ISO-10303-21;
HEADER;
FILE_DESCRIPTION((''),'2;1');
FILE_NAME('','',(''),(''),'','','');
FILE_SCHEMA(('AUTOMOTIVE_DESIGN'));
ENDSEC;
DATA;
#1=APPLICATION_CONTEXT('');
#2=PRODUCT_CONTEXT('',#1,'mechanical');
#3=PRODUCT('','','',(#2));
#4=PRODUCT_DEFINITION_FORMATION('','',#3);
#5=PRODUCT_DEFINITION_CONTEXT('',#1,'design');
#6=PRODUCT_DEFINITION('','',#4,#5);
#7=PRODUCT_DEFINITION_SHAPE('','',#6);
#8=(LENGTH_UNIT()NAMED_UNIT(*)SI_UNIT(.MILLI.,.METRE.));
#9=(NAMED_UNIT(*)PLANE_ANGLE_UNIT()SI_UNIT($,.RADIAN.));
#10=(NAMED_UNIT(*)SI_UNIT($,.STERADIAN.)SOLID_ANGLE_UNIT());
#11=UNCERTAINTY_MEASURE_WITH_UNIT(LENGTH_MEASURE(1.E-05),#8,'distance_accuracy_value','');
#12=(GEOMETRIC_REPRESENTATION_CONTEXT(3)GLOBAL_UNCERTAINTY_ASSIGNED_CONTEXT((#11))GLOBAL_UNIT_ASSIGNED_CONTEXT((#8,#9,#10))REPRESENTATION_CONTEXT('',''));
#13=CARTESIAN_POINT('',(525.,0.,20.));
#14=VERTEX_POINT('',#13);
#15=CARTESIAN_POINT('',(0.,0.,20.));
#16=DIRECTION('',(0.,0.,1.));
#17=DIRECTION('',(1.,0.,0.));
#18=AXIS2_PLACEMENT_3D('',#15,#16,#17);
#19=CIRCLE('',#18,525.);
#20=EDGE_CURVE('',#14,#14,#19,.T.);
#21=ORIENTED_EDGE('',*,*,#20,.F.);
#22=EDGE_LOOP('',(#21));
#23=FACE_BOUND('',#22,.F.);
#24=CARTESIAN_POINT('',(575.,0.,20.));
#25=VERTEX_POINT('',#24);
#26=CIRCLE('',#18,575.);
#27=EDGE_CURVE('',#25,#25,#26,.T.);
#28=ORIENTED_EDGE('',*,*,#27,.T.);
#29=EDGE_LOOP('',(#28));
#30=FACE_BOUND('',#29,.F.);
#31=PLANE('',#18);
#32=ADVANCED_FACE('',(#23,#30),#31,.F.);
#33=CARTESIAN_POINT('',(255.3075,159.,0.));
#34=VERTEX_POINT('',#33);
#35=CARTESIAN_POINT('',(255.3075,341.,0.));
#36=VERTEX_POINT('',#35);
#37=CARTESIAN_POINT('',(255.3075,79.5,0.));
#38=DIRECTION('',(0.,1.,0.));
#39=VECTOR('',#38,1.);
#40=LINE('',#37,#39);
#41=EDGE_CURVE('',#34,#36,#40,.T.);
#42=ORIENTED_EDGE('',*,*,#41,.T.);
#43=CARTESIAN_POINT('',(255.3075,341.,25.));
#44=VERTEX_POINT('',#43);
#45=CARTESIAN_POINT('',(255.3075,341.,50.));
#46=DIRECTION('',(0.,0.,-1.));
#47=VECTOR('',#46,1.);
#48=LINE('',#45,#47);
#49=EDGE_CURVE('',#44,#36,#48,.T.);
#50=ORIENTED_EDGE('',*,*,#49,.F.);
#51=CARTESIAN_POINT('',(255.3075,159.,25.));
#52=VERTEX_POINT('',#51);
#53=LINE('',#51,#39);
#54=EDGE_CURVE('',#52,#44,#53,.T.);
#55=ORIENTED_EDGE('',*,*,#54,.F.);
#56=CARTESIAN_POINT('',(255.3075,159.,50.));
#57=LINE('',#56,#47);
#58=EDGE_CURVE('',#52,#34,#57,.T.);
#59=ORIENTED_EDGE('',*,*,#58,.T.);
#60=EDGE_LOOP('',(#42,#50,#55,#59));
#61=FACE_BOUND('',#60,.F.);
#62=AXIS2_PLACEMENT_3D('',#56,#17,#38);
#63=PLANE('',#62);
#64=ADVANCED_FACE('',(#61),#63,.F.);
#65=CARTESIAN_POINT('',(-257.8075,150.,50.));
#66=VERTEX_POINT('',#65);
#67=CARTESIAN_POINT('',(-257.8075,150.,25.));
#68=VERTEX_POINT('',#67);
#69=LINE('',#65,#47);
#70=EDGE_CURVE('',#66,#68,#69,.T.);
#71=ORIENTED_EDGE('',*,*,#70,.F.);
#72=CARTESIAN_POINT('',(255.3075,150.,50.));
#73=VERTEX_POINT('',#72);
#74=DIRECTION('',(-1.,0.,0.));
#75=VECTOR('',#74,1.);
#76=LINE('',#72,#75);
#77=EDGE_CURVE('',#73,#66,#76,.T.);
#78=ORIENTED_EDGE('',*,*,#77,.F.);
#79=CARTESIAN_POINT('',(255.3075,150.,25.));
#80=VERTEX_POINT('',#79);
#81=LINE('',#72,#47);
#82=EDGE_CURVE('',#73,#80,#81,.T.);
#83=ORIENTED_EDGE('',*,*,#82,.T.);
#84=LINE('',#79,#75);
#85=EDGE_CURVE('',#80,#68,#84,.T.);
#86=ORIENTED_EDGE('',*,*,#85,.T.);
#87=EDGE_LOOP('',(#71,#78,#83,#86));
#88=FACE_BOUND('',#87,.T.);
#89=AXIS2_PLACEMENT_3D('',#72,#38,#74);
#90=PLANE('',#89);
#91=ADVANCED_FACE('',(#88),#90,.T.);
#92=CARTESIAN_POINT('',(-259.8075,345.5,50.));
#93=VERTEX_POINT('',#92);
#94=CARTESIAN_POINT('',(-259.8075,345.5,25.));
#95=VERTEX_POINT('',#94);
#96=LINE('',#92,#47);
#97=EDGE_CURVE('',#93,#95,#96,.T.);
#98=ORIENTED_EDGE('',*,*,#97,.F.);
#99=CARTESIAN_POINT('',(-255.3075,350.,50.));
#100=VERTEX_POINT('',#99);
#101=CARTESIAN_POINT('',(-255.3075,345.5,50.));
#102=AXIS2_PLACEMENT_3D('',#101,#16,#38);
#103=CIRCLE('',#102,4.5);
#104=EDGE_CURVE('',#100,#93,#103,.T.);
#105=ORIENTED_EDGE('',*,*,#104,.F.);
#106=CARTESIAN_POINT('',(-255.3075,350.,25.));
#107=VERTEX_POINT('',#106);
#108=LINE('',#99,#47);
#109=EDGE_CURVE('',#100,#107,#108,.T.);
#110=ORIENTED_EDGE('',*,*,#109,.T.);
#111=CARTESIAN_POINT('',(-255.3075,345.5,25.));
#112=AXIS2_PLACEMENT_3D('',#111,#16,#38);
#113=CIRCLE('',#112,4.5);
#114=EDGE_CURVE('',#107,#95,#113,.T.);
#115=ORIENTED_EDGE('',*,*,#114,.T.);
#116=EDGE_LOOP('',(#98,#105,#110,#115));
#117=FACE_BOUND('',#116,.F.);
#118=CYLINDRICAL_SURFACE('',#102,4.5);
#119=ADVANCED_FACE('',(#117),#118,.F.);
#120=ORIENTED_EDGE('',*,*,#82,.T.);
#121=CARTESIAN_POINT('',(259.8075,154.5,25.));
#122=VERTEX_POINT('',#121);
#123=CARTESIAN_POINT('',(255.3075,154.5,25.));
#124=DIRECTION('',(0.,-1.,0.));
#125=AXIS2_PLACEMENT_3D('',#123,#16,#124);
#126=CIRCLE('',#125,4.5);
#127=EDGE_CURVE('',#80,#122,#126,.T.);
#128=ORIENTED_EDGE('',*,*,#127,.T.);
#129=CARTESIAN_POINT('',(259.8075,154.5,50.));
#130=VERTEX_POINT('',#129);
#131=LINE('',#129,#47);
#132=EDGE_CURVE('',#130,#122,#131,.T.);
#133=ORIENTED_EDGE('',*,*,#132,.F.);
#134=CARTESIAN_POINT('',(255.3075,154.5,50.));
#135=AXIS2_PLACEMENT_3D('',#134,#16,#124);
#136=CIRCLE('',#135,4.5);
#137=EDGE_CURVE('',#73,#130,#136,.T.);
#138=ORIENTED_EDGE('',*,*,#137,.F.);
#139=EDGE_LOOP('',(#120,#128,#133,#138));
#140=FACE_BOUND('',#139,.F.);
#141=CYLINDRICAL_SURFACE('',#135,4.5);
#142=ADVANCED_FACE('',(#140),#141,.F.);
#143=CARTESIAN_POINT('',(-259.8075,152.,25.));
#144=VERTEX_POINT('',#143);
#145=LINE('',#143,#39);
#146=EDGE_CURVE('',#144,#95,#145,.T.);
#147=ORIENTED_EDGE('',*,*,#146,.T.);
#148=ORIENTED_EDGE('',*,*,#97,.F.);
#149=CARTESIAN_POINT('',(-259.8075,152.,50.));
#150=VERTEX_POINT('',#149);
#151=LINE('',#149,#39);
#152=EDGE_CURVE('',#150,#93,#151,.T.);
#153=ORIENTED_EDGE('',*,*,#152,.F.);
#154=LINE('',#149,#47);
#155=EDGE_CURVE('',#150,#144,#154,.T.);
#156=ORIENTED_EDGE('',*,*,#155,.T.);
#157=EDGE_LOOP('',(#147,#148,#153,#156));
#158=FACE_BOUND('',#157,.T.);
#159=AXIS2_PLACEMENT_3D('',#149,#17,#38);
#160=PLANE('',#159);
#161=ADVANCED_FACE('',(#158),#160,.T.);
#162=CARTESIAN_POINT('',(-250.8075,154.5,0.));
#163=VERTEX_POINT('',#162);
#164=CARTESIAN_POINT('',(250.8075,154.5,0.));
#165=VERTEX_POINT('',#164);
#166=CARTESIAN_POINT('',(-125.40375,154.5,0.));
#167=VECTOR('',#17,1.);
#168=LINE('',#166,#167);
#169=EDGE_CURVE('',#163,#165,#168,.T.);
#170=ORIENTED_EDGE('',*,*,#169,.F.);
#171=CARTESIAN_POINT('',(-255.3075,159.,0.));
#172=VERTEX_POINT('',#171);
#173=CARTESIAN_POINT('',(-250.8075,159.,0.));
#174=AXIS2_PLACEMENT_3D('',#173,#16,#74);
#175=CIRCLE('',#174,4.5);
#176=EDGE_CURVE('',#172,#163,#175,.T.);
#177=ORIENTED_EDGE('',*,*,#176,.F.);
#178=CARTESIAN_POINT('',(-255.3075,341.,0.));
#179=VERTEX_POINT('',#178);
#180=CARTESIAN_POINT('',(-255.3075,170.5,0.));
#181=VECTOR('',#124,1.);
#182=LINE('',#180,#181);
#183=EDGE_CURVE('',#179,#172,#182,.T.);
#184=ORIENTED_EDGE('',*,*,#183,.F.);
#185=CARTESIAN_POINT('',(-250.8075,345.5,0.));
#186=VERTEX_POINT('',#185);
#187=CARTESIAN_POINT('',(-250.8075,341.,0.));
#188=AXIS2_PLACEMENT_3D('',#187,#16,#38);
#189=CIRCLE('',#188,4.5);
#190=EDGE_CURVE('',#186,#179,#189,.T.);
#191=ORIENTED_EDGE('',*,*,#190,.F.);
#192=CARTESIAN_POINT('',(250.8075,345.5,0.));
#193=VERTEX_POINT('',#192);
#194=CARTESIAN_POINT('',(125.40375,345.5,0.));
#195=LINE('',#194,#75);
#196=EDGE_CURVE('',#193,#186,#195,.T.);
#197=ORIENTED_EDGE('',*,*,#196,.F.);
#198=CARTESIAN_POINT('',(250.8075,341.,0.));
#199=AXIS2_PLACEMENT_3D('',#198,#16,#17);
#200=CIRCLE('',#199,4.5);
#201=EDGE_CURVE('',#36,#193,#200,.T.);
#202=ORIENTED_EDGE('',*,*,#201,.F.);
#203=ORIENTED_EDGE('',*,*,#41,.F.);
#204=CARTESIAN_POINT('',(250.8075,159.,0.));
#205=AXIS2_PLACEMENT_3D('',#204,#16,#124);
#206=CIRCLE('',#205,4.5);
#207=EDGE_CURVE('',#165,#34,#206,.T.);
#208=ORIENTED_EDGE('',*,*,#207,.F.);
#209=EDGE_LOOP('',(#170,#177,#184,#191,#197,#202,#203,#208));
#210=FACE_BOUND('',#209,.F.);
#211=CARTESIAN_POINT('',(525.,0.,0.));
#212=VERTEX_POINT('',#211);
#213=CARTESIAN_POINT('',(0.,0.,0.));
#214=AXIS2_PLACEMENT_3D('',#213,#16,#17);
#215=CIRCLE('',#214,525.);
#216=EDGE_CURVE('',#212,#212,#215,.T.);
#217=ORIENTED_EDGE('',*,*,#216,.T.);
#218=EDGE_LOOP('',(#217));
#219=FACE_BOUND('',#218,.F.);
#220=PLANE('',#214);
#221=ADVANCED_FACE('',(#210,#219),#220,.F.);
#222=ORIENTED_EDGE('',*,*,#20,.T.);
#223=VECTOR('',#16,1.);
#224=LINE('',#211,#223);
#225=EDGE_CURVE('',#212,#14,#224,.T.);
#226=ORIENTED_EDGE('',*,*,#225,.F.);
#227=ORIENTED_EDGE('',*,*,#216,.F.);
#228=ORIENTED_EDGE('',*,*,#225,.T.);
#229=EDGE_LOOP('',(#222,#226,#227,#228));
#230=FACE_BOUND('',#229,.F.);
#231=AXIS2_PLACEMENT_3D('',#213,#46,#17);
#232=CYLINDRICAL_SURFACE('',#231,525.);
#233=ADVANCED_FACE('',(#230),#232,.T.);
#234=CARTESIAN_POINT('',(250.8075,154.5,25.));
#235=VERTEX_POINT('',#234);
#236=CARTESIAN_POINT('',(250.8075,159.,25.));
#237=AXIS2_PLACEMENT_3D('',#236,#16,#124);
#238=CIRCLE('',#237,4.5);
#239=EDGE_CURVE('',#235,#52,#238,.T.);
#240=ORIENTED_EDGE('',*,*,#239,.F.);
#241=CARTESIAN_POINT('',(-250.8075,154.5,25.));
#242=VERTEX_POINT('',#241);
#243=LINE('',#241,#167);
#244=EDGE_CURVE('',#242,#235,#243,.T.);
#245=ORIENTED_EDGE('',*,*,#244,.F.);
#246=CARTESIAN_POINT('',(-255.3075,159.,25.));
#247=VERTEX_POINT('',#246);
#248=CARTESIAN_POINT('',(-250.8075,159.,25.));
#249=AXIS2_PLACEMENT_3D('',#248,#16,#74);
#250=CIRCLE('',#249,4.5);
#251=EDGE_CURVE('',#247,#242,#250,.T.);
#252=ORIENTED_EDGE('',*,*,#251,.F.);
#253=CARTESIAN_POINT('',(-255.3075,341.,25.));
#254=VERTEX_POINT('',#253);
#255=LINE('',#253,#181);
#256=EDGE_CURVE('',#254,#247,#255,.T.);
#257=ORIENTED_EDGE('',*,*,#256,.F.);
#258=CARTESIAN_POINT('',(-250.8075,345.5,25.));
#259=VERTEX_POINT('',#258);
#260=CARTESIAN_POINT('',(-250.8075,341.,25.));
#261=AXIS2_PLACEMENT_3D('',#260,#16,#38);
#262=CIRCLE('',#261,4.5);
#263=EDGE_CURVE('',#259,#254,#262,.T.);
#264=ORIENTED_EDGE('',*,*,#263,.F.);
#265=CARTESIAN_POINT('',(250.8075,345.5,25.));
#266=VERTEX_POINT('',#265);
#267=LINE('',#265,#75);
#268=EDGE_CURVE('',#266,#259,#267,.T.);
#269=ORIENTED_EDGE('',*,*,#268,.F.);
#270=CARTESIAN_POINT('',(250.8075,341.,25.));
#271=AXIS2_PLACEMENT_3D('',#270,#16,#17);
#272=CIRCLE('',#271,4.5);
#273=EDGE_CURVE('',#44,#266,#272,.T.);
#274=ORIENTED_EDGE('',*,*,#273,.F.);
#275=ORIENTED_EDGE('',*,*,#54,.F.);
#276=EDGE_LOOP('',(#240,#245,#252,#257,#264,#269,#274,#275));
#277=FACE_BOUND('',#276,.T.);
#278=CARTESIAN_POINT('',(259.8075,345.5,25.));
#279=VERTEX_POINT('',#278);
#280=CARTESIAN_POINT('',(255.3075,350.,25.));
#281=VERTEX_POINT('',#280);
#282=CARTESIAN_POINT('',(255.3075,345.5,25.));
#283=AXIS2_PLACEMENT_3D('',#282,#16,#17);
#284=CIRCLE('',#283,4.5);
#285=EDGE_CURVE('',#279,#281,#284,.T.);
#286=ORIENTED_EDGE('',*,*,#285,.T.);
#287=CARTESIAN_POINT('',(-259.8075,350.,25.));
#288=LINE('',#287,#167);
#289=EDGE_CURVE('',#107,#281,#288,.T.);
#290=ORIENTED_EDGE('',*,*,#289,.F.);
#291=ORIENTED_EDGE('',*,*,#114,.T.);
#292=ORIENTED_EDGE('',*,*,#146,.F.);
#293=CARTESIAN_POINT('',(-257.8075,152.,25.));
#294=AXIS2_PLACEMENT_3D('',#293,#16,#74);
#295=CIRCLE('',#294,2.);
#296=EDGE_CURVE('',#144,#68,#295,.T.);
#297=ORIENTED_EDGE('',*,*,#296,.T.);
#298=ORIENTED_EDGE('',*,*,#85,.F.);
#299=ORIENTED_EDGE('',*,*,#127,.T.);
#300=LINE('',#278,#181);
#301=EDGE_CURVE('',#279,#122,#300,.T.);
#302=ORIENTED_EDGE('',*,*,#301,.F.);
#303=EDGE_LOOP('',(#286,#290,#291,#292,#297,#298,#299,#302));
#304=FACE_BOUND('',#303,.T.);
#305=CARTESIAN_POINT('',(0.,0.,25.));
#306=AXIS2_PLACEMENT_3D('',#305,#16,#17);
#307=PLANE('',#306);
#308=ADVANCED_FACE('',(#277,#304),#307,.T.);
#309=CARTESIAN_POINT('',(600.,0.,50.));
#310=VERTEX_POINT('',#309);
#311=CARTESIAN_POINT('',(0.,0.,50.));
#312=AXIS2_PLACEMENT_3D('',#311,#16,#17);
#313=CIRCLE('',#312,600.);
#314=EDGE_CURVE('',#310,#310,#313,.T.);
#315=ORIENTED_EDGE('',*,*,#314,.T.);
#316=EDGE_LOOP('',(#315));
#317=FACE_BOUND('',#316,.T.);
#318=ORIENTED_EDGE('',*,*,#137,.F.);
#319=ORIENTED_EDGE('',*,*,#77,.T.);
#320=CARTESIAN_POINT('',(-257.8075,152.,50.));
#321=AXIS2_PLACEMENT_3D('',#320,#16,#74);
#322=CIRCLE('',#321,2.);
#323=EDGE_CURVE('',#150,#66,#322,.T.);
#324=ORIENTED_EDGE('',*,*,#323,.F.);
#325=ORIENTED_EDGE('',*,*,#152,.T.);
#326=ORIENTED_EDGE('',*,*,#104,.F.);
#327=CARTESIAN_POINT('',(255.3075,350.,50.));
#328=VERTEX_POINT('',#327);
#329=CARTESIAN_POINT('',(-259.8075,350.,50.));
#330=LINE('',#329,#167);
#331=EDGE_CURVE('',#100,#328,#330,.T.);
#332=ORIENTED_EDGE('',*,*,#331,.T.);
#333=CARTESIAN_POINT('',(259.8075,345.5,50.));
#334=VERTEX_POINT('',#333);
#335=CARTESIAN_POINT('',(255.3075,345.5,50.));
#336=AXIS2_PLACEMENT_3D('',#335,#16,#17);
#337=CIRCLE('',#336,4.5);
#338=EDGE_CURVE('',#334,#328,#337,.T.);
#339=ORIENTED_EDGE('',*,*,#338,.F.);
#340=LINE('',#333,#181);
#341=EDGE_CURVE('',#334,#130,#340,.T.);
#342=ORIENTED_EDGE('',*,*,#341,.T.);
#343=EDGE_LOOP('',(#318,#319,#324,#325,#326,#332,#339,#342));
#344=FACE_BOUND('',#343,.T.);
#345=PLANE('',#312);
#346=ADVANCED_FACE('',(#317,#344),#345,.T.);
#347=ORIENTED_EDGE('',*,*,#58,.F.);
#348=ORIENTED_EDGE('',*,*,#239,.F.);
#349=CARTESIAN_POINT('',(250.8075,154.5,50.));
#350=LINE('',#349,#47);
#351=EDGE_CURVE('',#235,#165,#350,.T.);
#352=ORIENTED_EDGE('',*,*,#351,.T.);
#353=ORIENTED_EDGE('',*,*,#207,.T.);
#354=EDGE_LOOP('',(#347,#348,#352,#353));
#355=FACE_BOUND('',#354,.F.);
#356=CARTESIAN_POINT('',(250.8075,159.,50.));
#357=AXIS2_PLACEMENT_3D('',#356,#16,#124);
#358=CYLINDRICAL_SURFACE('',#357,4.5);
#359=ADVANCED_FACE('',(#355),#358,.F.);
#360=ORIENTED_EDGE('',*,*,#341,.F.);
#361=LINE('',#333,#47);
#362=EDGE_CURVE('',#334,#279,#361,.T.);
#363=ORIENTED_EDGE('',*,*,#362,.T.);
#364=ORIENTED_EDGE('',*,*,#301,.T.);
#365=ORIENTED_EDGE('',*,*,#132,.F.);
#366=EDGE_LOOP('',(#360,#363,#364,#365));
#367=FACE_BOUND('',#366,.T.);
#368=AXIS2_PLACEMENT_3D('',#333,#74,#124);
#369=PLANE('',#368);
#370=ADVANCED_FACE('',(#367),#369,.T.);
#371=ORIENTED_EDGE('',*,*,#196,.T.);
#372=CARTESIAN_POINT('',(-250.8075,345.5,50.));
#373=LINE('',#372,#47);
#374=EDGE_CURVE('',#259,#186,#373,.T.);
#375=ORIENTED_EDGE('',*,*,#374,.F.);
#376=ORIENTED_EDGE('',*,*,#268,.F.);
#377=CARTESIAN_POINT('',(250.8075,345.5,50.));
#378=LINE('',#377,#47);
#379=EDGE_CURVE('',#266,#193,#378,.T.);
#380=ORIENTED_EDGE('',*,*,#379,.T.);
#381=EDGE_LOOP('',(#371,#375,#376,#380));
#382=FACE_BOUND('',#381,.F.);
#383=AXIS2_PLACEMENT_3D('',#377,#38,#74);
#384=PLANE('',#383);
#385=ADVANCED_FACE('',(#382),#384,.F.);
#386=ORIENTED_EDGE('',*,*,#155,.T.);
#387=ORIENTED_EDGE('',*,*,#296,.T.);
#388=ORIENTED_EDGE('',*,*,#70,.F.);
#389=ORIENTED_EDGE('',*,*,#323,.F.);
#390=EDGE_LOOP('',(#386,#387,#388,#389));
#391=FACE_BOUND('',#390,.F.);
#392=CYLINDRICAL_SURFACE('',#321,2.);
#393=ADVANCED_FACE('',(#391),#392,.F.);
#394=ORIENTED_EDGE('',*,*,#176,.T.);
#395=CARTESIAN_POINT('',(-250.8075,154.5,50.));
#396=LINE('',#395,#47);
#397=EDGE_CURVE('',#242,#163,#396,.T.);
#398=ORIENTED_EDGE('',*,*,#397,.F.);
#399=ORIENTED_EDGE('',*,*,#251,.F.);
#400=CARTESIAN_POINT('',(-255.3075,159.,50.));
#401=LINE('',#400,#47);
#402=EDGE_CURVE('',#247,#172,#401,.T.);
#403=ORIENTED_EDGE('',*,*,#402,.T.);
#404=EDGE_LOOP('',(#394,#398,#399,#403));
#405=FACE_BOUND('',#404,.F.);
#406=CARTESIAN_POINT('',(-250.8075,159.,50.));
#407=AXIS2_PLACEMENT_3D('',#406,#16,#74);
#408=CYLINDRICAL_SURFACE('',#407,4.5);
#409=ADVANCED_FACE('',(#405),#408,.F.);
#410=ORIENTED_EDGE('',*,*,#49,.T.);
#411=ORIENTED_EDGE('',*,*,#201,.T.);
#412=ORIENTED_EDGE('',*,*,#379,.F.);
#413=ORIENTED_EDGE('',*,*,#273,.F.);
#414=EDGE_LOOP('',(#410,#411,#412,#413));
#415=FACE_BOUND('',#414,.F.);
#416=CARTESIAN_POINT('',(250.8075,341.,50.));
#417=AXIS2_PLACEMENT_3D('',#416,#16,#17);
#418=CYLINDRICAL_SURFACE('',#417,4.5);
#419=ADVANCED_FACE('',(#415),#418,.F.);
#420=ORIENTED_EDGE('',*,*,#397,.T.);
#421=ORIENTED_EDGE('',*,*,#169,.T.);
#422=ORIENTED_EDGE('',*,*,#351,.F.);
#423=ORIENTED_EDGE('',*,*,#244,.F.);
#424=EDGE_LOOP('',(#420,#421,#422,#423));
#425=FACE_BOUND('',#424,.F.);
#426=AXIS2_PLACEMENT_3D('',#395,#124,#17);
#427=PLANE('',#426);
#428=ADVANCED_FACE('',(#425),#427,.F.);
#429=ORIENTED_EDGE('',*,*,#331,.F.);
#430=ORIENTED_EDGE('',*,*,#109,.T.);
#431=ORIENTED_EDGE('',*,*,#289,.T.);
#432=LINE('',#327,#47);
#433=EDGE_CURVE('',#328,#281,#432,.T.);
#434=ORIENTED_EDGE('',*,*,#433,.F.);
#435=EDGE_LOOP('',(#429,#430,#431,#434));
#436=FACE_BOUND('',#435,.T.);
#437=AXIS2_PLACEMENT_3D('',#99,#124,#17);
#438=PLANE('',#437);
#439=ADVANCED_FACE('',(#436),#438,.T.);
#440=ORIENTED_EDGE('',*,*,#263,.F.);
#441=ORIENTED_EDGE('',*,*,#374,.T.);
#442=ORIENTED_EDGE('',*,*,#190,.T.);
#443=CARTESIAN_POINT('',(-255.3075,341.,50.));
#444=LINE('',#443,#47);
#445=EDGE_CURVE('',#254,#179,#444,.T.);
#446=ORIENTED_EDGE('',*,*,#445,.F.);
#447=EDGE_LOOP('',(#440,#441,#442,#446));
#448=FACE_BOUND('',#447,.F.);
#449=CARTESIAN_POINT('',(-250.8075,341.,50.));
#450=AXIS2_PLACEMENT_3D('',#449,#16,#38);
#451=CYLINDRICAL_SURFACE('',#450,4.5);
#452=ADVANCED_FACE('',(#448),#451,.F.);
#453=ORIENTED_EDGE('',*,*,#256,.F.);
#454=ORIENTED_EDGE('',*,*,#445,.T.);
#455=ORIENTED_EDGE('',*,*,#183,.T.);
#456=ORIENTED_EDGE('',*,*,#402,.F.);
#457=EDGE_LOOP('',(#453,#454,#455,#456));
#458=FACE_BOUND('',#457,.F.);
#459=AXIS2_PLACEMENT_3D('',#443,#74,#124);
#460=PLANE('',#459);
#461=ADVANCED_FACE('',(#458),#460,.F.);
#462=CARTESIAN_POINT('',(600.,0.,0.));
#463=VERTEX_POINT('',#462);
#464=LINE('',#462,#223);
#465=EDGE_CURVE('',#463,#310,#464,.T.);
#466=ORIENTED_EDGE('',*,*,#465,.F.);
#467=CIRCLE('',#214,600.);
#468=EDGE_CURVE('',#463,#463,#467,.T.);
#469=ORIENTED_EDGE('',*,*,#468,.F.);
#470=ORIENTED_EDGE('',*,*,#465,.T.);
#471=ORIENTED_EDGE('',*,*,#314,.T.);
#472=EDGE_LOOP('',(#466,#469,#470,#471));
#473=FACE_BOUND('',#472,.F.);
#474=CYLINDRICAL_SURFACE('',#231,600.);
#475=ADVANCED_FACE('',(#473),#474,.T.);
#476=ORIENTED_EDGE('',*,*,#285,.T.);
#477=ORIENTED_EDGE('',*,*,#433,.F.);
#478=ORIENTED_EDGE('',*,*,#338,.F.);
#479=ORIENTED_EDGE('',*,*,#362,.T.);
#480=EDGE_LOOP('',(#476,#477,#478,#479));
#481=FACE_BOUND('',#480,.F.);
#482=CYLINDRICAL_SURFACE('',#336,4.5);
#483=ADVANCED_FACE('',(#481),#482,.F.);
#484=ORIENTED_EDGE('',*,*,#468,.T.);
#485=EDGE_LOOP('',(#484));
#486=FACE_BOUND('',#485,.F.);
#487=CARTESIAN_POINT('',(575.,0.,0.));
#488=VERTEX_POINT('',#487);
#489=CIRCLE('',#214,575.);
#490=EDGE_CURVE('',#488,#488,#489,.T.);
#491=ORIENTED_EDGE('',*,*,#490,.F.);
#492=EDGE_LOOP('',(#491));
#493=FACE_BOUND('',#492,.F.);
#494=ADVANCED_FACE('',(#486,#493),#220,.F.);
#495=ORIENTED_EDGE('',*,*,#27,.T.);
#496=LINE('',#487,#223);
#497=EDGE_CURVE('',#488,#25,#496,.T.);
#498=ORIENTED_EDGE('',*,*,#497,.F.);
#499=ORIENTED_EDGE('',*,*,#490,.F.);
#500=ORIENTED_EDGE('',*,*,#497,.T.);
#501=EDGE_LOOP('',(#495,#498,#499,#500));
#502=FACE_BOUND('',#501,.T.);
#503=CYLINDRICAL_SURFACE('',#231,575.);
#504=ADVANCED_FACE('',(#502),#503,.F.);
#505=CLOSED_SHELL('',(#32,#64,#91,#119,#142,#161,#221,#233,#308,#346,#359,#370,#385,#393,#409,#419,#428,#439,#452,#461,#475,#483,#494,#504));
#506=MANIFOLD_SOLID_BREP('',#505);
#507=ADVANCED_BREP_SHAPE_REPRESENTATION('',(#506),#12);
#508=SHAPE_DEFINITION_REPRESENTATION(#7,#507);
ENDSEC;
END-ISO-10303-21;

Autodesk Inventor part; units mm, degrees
ref_plane "YZ Plane" through (0, 0, 0) normal (1, 0, 0) x (0, 1, 0)
ref_plane "XZ Plane" through (0, 0, 0) normal (0, 1, 0) x (-1, 0, 0)
ref_plane "XY Plane" through (0, 0, 0) normal (0, 0, 1) x (1, 0, 0)
sketch "Sketch1" plane through (0, 0, 0) normal (0, 0, 1) x (1, 0, 0)
  circle A0 centre (0, 0) radius 600
  circle A1 centre (0, 0) radius 575
  circle A2 centre (0, 0) radius 525
  dimension "d0" = 1200
  dimension "d3" = 1150
  dimension "d4" = 1050
extrude "Extrusion1" add sketch "Sketch1" along normal blind 50 contours A0 | A1 | A2
extrude "Extrusion2" cut sketch "Sketch1" along normal blind 20 contours A1
sketch "Sketch2" plane through (0, 0, 50) normal (0, 0, 1) x (1, 0, 0)
  line L0 (0, 0) -> (0, 350) construction
  line L1 (0, 350) -> (-255.3075, 350) construction
  line L2 (-259.8075, 350) -> (255.3075, 350)
  line L3 (259.8075, 345.5) -> (259.8075, 154.5)
  line L4 (255.3075, 150) -> (-257.8075, 150)
  line L5 (-259.8075, 152) -> (-259.8075, 345.5)
  arc A0 (-259.8075, 152) -> (-257.8075, 150) centre (-257.8075, 152) ccw
  arc A1 (-255.3075, 350) -> (-259.8075, 345.5) centre (-255.3075, 345.5) ccw
  arc A2 (259.8075, 345.5) -> (255.3075, 350) centre (255.3075, 345.5) ccw
  arc A3 (255.3075, 150) -> (259.8075, 154.5) centre (255.3075, 154.5) ccw
  line L6 (-259.8075, 150) -> (-259.8075, 154.5) construction
  line L7 (-259.8075, 154.5) -> (-255.3075, 154.5) construction
  line L8 (255.3075, 350) -> (255.3075, 345.5) construction
  line L9 (250.8075, 345.5) -> (-250.8075, 345.5)
  line L10 (-255.3075, 341) -> (-255.3075, 159)
  line L11 (-250.8075, 154.5) -> (250.8075, 154.5)
  line L12 (255.3075, 159) -> (255.3075, 341)
  arc A4 (-255.3075, 159) -> (-250.8075, 154.5) centre (-250.8075, 159) ccw
  arc A5 (-250.8075, 345.5) -> (-255.3075, 341) centre (-250.8075, 341) ccw
  arc A6 (255.3075, 341) -> (250.8075, 345.5) centre (250.8075, 341) ccw
  arc A7 (250.8075, 154.5) -> (255.3075, 159) centre (250.8075, 159) ccw
  point P0 (259.8075, 350)
  dimension "d7" = 350
  dimension "d8" = 259.8075
  dimension "d9" = 519.615
  dimension "d10" = 200
  dimension "d11" = 2
  dimension "d12" = 4.5
  dimension "d13" = 4.5
  dimension "d14" = 4.5
  dimension "d15" = 4.5
extrude "Extrusion3" cut sketch "Sketch2" against normal through all contours A6 L12 A7 L11 A4 L10 A5 L9
extrude "Extrusion4" cut sketch "Sketch2" against normal blind 25
properties part number "Base Plate"
